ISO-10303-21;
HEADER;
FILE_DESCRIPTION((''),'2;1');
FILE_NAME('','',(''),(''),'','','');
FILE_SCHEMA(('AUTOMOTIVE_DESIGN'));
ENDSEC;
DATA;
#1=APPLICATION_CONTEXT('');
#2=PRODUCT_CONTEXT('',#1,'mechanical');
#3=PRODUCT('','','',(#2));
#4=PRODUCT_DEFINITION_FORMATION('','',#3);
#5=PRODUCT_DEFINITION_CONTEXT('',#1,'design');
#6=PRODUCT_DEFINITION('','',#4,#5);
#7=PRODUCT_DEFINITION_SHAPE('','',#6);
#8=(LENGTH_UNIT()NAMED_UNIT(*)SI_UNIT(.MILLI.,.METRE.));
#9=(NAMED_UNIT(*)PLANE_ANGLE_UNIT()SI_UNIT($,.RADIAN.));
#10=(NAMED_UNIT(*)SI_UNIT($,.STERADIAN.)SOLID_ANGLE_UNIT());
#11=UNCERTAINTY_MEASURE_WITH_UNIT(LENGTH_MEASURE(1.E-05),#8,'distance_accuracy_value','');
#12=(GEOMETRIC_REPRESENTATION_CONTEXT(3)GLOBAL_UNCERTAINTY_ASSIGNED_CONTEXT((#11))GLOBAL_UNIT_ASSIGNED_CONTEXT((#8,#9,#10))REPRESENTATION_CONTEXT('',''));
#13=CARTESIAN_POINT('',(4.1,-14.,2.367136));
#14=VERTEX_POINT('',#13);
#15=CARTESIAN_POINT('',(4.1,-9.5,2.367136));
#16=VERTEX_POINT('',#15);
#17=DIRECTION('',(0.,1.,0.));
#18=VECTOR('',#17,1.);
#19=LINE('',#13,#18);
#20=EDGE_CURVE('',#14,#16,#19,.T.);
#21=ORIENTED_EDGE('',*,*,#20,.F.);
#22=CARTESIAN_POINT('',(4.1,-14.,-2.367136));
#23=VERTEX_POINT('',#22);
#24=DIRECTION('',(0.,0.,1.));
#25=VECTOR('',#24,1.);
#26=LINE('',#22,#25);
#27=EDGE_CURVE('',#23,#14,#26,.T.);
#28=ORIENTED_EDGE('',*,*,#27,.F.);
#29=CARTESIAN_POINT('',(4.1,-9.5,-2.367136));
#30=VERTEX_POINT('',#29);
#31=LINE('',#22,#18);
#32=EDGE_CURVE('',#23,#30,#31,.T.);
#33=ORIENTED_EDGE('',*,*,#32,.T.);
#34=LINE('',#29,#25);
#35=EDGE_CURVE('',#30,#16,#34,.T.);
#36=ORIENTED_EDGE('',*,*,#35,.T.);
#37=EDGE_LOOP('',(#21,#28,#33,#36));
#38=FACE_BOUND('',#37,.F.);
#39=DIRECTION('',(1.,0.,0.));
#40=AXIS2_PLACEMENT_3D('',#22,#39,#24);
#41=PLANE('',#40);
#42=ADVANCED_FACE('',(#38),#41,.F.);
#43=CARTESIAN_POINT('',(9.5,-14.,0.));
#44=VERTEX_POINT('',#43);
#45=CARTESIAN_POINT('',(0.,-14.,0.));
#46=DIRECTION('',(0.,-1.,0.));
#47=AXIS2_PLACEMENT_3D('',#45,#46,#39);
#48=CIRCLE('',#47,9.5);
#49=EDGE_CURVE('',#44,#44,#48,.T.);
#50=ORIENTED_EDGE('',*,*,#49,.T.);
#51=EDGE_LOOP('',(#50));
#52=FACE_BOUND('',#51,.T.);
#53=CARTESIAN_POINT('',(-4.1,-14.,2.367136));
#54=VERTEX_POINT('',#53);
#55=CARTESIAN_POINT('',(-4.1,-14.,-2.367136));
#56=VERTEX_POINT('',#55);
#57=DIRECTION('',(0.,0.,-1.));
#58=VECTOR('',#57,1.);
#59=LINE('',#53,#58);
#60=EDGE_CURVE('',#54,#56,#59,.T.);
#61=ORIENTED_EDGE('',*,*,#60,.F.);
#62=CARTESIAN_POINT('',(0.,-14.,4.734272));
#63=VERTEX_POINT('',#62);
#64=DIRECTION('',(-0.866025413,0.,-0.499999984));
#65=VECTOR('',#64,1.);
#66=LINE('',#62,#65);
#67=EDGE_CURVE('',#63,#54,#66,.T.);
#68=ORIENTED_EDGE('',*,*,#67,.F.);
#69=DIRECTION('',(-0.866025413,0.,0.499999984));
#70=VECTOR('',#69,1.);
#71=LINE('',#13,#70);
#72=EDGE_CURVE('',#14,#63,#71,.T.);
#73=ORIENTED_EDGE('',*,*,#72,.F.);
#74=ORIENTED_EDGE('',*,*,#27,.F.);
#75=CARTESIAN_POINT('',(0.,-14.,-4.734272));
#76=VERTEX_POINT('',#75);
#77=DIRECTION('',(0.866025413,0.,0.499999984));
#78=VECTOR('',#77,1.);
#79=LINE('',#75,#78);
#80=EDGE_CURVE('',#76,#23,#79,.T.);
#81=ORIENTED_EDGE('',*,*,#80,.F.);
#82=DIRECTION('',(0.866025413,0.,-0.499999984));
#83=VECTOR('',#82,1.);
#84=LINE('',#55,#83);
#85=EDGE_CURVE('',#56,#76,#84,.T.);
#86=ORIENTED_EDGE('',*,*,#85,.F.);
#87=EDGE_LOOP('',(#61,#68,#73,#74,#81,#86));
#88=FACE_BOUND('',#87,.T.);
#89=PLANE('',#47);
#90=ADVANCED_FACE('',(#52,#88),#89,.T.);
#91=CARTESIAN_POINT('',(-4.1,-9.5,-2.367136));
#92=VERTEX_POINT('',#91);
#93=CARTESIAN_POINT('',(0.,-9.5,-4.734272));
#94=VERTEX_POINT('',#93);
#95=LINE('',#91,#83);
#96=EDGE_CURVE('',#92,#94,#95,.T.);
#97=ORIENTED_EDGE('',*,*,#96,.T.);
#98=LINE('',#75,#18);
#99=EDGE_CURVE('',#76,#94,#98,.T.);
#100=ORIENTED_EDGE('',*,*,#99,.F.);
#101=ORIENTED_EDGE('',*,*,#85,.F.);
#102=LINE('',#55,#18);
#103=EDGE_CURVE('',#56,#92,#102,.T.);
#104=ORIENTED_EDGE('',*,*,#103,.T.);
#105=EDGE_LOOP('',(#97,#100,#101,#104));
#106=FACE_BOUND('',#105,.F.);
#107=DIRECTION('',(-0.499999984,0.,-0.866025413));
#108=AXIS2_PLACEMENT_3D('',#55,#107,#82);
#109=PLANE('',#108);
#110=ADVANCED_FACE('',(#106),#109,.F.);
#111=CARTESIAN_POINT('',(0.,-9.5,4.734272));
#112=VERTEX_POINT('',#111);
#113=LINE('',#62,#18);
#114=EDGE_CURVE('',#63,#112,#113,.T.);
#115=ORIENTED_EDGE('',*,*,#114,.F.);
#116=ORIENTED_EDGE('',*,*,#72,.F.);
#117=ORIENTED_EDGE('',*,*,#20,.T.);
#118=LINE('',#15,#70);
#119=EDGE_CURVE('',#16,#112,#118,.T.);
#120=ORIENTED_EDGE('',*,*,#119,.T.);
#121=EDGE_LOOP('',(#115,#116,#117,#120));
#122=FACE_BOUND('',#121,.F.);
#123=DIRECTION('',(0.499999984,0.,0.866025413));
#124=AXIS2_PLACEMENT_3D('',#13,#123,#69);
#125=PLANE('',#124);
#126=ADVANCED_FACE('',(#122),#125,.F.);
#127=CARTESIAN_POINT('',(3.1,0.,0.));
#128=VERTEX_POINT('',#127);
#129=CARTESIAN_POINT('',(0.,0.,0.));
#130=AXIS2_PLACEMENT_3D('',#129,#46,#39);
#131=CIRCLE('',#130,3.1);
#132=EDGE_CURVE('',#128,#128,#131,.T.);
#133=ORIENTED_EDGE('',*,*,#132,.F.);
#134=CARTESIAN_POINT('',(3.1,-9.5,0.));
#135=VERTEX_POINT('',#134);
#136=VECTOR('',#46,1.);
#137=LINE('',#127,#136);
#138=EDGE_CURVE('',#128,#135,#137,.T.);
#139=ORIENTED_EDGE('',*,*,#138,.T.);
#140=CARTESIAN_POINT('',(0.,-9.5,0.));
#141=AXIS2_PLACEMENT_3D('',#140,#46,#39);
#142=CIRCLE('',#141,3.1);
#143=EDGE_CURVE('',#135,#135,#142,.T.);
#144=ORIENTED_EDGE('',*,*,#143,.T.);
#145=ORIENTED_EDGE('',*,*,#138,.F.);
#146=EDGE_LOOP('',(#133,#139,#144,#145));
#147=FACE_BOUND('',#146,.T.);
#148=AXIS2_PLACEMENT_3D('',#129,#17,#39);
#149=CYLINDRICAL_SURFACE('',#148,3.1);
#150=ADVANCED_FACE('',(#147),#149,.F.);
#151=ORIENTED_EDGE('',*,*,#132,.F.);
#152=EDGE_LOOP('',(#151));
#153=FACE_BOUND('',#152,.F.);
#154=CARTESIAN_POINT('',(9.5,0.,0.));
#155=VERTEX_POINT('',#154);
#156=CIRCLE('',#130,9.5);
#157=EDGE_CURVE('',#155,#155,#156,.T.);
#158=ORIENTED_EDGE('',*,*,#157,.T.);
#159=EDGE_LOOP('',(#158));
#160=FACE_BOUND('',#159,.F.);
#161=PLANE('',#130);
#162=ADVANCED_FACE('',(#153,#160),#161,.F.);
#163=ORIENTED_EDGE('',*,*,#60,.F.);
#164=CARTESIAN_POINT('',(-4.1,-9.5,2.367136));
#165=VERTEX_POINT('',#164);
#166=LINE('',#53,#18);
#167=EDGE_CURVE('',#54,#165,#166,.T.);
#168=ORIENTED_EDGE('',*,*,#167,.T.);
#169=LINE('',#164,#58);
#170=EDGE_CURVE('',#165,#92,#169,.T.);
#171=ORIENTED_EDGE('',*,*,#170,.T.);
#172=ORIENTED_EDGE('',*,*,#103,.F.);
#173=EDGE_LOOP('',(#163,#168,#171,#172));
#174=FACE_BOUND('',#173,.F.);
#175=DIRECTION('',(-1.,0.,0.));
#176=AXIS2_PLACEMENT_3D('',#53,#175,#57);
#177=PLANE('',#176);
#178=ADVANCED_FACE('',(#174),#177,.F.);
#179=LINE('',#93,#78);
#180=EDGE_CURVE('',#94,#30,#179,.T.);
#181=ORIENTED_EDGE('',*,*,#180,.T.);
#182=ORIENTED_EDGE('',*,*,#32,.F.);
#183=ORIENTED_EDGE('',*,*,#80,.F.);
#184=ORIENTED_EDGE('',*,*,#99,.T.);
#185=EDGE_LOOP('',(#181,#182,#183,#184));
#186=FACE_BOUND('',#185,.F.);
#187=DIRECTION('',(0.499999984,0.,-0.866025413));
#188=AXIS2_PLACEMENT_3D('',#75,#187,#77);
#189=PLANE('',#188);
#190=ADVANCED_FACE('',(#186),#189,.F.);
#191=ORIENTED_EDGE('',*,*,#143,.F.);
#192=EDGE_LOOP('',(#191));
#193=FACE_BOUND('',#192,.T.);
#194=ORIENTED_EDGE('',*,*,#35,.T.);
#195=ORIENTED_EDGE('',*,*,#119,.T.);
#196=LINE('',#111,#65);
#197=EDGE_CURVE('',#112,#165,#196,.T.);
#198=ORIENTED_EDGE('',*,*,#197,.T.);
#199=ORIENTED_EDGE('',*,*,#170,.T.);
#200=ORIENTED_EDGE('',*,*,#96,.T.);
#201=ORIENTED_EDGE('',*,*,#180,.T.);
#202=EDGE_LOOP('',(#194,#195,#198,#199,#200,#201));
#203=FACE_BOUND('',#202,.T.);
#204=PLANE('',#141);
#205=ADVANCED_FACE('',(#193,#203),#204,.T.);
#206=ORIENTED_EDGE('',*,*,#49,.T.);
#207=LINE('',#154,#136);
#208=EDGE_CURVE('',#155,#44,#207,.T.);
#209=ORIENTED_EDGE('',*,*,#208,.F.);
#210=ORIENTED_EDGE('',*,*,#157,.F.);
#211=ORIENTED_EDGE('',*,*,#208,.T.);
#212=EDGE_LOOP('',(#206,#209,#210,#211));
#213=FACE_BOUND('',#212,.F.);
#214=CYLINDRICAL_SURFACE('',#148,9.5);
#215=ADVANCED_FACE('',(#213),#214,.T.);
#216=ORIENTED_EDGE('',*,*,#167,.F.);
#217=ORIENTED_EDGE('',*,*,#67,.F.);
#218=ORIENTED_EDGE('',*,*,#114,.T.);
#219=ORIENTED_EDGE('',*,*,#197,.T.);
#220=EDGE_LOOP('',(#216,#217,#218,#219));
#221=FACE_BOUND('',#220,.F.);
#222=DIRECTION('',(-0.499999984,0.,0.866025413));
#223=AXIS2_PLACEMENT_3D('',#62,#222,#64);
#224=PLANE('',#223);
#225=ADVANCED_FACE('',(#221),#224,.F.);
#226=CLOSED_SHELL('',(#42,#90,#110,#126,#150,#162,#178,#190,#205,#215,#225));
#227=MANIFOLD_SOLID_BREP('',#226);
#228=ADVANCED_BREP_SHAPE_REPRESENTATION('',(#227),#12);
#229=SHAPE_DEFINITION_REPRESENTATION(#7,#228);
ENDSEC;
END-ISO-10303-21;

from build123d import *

# Parameters (mm, degrees)
F0_R     = 9.5
F0_R_2   = 3.1
F1_DEPTH = 14
F2_R     = 3.1
F3_DEPTH = 4.5


with BuildPart() as f1:
    # F0 (on Front) → F1 (new body)
    with BuildSketch(Plane.XZ):
        Circle(F0_R)
        Polygon((0, 4.849742), (4.2, 2.424871), (4.2, -2.424871), (0, -4.849742), (-4.2, -2.424871), (-4.2, 2.424871), align=None, mode=Mode.SUBTRACT)
        Polygon((4.2, -2.424871), (4.2, 2.424871), (0, 4.849742), (-4.2, 2.424871), (-4.2, -2.424871), (0, -4.849742), align=None)
        Circle(F0_R_2, mode=Mode.SUBTRACT)
    extrude(amount=F1_DEPTH)

    # F2 (on face) → F3 (cut)
    with BuildSketch(Plane.XZ.offset(14)):
        Polygon((4.1, -2.367136), (4.1, 0), (4.1, 2.367136), (0, 4.734272), (-4.1, 2.367136), (-4.1, -2.367136), (0, -4.734272), align=None)
        Circle(F2_R, mode=Mode.SUBTRACT)
    extrude(amount=-F3_DEPTH, mode=Mode.SUBTRACT)


solid = f1.part
